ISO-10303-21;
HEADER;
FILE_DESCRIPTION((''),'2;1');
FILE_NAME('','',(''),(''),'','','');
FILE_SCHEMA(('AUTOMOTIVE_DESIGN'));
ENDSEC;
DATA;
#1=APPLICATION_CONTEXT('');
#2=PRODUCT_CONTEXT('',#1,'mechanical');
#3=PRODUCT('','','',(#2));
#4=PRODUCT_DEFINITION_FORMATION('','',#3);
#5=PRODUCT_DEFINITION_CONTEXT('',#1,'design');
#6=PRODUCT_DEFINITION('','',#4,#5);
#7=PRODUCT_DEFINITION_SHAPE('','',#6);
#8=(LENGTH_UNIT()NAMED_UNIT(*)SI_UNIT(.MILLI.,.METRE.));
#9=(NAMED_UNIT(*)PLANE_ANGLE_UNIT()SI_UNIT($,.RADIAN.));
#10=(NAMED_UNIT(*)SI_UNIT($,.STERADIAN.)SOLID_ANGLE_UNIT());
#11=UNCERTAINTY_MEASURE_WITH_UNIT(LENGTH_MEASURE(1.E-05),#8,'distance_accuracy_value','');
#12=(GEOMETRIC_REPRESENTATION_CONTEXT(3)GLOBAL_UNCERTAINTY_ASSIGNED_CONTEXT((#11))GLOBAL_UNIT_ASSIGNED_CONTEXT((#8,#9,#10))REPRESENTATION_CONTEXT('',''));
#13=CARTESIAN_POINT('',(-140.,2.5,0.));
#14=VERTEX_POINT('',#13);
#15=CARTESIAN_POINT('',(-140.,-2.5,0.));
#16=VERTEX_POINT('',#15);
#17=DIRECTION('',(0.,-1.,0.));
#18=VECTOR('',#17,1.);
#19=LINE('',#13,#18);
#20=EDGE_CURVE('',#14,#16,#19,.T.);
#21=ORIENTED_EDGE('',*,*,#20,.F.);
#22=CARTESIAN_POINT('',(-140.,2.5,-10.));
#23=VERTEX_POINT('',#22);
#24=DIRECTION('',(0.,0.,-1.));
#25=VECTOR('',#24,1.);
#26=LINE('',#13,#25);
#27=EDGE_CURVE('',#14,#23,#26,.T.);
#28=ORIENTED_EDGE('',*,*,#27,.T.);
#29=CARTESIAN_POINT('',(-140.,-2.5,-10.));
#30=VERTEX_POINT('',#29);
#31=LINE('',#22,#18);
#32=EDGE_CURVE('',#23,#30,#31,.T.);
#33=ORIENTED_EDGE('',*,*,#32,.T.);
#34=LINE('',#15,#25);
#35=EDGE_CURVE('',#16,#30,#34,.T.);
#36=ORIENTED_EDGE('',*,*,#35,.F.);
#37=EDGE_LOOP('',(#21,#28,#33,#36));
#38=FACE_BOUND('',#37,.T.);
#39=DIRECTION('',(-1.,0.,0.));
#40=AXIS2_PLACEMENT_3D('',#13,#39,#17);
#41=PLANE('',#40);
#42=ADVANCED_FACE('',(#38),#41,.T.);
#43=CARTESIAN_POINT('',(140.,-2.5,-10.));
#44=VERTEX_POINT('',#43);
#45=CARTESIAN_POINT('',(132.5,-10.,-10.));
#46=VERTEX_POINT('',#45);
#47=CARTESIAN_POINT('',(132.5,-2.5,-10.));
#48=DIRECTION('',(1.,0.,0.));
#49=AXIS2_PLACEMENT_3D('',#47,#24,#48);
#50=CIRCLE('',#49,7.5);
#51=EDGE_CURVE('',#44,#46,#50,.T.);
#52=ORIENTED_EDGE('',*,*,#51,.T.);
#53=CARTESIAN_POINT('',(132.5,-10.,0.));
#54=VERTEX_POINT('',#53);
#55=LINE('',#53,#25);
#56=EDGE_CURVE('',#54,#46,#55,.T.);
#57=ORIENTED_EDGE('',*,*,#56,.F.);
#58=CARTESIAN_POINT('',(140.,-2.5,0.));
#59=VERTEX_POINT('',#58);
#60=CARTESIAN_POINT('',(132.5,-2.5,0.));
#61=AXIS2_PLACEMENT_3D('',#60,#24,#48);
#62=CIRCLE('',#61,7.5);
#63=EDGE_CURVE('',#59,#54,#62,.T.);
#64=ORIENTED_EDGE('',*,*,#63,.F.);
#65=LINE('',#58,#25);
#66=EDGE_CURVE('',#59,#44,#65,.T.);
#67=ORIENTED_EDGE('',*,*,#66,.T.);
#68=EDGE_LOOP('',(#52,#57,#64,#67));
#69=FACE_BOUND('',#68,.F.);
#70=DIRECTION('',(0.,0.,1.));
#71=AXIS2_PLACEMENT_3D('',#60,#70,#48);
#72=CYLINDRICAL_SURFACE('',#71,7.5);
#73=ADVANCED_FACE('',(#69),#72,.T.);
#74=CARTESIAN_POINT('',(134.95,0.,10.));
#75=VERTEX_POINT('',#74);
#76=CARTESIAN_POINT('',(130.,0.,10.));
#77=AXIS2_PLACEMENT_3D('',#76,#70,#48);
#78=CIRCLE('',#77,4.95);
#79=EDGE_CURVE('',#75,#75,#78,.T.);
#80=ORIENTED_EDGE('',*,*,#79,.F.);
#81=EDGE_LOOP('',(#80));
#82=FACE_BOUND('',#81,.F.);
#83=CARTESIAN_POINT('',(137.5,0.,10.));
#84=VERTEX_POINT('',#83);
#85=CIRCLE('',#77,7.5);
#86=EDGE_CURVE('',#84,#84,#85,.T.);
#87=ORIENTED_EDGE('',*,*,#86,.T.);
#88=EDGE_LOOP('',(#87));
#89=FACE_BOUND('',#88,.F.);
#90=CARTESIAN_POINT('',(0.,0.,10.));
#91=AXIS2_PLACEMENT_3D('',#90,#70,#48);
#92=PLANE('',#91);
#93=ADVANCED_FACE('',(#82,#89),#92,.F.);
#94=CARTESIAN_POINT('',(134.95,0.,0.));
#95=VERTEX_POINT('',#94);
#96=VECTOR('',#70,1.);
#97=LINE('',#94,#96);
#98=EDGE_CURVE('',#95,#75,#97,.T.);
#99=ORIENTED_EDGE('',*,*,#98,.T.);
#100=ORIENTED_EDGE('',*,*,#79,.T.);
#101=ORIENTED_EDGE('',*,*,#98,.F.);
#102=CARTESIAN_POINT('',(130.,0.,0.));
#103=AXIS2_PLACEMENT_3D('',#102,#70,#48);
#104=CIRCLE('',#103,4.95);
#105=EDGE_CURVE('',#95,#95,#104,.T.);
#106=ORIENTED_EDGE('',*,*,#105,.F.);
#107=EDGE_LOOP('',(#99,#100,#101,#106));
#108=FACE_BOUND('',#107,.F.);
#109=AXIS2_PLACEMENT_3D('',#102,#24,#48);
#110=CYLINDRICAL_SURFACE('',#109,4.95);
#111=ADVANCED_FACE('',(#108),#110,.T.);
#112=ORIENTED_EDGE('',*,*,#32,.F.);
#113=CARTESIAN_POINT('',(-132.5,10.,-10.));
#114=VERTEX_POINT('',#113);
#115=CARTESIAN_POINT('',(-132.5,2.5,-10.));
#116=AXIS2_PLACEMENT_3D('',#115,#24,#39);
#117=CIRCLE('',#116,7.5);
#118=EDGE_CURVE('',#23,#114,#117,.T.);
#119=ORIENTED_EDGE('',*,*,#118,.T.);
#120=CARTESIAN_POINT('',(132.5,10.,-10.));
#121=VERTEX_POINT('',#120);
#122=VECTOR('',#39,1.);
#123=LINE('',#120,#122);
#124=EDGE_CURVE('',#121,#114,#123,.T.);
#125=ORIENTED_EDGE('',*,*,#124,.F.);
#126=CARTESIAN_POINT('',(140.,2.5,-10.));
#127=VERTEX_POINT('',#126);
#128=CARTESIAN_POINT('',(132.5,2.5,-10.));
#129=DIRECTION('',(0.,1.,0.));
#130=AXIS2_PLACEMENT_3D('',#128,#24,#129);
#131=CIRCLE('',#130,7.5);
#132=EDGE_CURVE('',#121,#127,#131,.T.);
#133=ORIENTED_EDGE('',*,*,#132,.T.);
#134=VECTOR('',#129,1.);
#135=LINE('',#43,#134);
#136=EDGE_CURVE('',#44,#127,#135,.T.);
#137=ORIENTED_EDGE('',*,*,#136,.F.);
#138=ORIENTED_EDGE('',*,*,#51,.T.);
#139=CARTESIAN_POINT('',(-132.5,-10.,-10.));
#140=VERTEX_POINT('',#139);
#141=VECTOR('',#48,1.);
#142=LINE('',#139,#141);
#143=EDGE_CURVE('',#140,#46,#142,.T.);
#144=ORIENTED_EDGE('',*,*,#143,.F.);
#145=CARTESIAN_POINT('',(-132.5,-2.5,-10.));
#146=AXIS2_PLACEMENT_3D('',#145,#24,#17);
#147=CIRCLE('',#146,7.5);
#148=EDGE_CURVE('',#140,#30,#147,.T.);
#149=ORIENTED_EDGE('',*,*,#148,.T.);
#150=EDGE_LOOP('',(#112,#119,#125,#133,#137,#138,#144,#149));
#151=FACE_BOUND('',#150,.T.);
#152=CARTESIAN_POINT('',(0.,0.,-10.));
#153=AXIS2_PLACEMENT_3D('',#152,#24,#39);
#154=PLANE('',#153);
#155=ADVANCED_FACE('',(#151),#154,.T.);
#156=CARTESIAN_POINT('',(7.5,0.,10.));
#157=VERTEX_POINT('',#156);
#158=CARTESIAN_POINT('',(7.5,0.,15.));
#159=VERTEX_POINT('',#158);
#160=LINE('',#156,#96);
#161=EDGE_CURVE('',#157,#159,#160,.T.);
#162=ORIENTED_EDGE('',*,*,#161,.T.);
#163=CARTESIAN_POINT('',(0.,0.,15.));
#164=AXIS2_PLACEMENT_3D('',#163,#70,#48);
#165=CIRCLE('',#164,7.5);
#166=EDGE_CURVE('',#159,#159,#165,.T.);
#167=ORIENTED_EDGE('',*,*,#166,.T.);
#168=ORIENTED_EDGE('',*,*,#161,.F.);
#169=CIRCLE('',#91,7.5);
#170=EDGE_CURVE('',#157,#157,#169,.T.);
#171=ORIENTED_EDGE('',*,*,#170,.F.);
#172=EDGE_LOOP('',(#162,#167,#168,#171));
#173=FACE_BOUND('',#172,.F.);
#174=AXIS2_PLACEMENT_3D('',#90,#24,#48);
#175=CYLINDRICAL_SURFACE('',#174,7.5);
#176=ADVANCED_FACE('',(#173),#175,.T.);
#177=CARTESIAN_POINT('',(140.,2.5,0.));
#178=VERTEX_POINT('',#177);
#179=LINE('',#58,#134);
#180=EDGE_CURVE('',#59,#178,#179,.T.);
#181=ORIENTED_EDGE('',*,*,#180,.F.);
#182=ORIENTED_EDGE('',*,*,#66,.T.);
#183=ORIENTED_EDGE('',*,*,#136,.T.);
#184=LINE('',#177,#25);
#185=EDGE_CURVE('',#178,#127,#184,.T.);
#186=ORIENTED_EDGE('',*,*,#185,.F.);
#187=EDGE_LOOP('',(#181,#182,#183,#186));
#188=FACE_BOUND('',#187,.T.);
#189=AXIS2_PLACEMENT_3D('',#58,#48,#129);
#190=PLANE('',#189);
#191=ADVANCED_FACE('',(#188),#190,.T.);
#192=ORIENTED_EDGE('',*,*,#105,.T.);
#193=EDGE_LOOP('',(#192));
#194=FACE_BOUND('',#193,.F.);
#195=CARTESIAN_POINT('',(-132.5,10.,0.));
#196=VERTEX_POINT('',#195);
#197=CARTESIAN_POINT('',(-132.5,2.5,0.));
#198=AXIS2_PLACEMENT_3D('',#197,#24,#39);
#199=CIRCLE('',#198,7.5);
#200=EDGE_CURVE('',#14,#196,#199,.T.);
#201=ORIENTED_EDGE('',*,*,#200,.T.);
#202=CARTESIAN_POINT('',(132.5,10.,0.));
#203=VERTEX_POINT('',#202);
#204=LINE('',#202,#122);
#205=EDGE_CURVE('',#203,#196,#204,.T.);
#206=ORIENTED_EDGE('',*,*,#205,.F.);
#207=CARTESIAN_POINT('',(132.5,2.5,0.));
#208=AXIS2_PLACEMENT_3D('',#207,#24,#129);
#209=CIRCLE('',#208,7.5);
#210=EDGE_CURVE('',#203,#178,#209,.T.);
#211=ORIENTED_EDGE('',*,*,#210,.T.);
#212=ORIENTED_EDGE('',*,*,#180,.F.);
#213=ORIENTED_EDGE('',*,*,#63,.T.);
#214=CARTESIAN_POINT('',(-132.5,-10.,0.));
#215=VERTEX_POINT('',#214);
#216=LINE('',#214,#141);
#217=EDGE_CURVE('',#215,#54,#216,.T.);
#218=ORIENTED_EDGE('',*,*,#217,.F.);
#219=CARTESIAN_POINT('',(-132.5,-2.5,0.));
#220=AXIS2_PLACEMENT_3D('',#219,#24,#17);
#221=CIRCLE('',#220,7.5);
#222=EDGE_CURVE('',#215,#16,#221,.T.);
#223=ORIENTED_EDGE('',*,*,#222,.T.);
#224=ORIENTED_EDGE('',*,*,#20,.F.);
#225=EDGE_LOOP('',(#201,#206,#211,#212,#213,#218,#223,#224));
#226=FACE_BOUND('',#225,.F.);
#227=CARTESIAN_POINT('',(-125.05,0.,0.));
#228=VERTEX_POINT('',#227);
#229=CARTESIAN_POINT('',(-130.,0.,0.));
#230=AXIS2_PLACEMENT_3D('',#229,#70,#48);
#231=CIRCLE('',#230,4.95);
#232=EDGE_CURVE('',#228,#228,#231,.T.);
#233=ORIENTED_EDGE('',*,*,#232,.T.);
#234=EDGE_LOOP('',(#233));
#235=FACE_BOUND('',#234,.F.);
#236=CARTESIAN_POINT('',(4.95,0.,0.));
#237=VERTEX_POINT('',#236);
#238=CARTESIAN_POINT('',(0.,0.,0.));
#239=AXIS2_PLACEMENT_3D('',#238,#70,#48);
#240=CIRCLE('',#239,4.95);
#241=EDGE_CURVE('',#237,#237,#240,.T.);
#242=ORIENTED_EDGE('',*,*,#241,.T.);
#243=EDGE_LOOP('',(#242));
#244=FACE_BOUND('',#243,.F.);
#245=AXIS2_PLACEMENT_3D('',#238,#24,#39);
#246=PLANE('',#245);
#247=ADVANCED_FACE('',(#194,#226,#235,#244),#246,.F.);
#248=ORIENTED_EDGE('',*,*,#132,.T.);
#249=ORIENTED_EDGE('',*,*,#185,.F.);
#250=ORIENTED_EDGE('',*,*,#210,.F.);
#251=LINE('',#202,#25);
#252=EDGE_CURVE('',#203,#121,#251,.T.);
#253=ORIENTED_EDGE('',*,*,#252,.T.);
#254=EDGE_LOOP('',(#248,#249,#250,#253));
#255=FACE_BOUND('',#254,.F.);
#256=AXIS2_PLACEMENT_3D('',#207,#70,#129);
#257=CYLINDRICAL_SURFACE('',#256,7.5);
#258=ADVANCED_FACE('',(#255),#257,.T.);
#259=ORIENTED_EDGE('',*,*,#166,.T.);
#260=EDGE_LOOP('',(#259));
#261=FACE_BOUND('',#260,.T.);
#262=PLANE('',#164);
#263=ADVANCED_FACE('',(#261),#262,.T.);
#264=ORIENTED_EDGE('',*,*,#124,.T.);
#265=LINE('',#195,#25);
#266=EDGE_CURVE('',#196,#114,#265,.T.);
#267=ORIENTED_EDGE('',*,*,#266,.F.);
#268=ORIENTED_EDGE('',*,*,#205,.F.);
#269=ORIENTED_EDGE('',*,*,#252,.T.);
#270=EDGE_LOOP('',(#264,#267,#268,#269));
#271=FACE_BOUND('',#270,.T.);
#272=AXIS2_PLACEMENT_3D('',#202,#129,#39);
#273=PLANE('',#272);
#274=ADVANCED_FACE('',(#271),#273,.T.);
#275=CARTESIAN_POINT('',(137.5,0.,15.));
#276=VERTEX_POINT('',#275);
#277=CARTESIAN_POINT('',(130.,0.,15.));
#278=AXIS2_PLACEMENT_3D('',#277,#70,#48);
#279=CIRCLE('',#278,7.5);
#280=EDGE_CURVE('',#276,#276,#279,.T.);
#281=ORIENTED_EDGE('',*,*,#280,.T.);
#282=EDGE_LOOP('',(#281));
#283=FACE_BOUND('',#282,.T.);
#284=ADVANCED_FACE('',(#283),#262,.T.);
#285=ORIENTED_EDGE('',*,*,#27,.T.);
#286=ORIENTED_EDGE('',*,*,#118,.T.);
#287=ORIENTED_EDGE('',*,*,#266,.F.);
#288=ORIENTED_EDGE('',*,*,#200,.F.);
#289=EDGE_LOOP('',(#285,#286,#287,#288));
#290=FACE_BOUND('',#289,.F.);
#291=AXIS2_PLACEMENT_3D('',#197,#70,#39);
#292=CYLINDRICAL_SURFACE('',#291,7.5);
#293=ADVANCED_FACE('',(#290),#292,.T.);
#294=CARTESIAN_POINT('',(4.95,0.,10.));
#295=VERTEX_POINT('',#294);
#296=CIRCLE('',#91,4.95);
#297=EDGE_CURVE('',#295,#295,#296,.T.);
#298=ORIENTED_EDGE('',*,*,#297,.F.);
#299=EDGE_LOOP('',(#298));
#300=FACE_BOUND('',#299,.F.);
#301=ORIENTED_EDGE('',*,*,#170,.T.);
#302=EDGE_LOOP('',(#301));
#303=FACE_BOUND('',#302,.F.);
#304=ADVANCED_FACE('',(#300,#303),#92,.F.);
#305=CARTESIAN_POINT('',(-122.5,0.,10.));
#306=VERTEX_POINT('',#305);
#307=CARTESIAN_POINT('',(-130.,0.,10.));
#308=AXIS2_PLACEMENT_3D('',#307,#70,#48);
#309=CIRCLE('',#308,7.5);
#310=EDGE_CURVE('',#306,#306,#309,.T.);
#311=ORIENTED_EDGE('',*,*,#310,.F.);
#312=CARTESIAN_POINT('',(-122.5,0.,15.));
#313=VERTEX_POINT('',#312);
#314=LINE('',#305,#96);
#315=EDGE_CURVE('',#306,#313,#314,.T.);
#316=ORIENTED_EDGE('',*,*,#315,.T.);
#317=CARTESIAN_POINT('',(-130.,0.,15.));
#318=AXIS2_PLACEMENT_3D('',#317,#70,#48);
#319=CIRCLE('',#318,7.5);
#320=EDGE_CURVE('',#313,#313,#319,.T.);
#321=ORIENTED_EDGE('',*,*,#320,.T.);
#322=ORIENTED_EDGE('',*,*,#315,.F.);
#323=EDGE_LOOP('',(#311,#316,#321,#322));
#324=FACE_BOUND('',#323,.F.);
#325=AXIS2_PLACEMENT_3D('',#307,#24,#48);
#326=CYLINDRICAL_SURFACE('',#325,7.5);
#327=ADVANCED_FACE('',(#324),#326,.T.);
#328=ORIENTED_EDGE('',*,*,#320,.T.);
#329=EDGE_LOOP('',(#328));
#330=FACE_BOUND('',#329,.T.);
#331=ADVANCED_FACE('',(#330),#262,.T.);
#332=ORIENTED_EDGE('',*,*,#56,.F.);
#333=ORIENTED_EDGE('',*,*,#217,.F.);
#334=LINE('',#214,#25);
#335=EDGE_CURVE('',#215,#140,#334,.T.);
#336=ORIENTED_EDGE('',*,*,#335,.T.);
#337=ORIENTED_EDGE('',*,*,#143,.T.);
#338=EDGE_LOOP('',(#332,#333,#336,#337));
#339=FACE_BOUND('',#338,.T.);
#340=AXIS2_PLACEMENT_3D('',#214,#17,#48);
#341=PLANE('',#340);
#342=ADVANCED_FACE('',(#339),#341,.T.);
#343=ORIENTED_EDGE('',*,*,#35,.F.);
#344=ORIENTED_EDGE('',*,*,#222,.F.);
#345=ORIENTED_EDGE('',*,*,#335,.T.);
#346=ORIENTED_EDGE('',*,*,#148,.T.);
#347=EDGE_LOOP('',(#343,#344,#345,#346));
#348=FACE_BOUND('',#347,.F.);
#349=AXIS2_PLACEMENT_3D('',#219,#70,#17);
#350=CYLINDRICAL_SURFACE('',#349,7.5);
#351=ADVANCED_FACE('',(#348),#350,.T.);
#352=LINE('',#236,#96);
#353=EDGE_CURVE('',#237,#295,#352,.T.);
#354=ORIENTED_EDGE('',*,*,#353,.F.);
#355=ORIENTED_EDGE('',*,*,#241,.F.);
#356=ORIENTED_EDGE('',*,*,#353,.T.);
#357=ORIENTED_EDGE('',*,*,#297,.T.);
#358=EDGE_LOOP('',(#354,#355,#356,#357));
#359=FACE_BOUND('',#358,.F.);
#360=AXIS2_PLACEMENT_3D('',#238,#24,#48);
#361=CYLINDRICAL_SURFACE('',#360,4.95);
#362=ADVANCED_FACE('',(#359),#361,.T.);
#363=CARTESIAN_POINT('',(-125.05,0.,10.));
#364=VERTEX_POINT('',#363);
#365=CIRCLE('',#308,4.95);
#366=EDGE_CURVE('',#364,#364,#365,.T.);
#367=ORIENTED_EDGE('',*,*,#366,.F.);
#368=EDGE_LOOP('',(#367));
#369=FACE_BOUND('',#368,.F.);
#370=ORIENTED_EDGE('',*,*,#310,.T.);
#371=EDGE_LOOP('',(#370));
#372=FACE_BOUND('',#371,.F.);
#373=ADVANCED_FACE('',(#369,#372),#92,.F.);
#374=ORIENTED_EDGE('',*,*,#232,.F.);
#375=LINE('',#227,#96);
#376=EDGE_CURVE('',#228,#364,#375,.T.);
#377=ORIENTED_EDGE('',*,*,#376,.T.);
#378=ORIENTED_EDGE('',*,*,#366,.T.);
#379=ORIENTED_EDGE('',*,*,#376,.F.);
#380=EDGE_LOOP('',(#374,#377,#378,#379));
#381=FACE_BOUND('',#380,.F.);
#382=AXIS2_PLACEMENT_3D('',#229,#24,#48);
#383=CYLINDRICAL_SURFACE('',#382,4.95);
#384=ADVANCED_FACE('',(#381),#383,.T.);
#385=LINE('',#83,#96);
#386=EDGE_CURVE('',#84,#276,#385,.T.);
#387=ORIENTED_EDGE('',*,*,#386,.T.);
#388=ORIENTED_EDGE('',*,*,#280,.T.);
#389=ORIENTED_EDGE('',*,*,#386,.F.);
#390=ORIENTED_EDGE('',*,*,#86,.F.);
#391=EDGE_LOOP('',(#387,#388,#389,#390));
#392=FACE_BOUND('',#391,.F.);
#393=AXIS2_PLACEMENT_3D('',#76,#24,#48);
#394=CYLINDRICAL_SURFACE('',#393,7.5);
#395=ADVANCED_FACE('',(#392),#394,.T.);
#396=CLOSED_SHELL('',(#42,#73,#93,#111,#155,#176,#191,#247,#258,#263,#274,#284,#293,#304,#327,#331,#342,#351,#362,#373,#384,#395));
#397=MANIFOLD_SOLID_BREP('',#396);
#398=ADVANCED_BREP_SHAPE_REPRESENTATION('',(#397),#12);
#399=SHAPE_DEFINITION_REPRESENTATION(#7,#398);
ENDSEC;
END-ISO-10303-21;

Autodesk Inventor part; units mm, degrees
ref_plane "YZ Plane" through (0, 0, 0) normal (1, 0, 0) x (0, 1, 0)
ref_plane "XZ Plane" through (0, 0, 0) normal (0, 1, 0) x (-1, 0, 0)
ref_plane "XY Plane" through (0, 0, 0) normal (0, 0, 1) x (1, 0, 0)
sketch "Skizze1" plane through (0, 0, 0) normal (0, 0, 1) x (1, 0, 0)
  circle A0 centre (0, 0) radius 4.95
  circle A1 centre (-130, 0) radius 4.95
  circle A2 centre (130, 0) radius 4.95
  dimension "d0" = 9.9
  dimension "d1" = 9.9
  dimension "d2" = 130
  dimension "d3" = 9.9
  dimension "d4" = 130
extrude "Extrusion1" add sketch "Skizze1" along normal blind 10
sketch "Skizze2" plane through (0, 0, 0) normal (0, 0, -1) x (-1, 0, 0)
  line L0 (132.5, -10) -> (-132.5, -10)
  line L1 (-140, -2.5) -> (-140, 2.5)
  line L2 (-132.5, 10) -> (132.5, 10)
  line L3 (140, 2.5) -> (140, -2.5)
  arc A0 (132.5, -10) -> (140, -2.5) centre (132.5, -2.5) ccw
  arc A1 (140, 2.5) -> (132.5, 10) centre (132.5, 2.5) ccw
  arc A2 (-132.5, 10) -> (-140, 2.5) centre (-132.5, 2.5) ccw
  arc A3 (-140, -2.5) -> (-132.5, -10) centre (-132.5, -2.5) ccw
  point P0 (0, 0)
  point P1 (140, -10)
  point P2 (-140, -10)
  point P3 (140, 10)
  dimension "d7" = 20
  dimension "d8" = 280
  dimension "d9" = 140
  dimension "d10" = 7.5
  dimension "d11" = 10
extrude "Extrusion2" add sketch "Skizze2" along normal blind 10
sketch "Skizze3" plane through (0, 0, 10) normal (0, 0, 1) x (1, 0, 0)
  circle A0 centre (0, 0) radius 7.5
  circle A1 centre (130, 0) radius 7.5
  circle A2 centre (-130, 0) radius 4.95 projected
  circle A3 centre (-130, 0) radius 7.5
  dimension "d14" = 15
  dimension "d15" = 15
  dimension "d16" = 130
  dimension "d17" = 0
  dimension "d18" = 15
extrude "Extrusion3" add sketch "Skizze3" along normal blind 5 contours A0 | A1 | A2 | A3
properties part number "Lenkung_hinten_verbindung"
